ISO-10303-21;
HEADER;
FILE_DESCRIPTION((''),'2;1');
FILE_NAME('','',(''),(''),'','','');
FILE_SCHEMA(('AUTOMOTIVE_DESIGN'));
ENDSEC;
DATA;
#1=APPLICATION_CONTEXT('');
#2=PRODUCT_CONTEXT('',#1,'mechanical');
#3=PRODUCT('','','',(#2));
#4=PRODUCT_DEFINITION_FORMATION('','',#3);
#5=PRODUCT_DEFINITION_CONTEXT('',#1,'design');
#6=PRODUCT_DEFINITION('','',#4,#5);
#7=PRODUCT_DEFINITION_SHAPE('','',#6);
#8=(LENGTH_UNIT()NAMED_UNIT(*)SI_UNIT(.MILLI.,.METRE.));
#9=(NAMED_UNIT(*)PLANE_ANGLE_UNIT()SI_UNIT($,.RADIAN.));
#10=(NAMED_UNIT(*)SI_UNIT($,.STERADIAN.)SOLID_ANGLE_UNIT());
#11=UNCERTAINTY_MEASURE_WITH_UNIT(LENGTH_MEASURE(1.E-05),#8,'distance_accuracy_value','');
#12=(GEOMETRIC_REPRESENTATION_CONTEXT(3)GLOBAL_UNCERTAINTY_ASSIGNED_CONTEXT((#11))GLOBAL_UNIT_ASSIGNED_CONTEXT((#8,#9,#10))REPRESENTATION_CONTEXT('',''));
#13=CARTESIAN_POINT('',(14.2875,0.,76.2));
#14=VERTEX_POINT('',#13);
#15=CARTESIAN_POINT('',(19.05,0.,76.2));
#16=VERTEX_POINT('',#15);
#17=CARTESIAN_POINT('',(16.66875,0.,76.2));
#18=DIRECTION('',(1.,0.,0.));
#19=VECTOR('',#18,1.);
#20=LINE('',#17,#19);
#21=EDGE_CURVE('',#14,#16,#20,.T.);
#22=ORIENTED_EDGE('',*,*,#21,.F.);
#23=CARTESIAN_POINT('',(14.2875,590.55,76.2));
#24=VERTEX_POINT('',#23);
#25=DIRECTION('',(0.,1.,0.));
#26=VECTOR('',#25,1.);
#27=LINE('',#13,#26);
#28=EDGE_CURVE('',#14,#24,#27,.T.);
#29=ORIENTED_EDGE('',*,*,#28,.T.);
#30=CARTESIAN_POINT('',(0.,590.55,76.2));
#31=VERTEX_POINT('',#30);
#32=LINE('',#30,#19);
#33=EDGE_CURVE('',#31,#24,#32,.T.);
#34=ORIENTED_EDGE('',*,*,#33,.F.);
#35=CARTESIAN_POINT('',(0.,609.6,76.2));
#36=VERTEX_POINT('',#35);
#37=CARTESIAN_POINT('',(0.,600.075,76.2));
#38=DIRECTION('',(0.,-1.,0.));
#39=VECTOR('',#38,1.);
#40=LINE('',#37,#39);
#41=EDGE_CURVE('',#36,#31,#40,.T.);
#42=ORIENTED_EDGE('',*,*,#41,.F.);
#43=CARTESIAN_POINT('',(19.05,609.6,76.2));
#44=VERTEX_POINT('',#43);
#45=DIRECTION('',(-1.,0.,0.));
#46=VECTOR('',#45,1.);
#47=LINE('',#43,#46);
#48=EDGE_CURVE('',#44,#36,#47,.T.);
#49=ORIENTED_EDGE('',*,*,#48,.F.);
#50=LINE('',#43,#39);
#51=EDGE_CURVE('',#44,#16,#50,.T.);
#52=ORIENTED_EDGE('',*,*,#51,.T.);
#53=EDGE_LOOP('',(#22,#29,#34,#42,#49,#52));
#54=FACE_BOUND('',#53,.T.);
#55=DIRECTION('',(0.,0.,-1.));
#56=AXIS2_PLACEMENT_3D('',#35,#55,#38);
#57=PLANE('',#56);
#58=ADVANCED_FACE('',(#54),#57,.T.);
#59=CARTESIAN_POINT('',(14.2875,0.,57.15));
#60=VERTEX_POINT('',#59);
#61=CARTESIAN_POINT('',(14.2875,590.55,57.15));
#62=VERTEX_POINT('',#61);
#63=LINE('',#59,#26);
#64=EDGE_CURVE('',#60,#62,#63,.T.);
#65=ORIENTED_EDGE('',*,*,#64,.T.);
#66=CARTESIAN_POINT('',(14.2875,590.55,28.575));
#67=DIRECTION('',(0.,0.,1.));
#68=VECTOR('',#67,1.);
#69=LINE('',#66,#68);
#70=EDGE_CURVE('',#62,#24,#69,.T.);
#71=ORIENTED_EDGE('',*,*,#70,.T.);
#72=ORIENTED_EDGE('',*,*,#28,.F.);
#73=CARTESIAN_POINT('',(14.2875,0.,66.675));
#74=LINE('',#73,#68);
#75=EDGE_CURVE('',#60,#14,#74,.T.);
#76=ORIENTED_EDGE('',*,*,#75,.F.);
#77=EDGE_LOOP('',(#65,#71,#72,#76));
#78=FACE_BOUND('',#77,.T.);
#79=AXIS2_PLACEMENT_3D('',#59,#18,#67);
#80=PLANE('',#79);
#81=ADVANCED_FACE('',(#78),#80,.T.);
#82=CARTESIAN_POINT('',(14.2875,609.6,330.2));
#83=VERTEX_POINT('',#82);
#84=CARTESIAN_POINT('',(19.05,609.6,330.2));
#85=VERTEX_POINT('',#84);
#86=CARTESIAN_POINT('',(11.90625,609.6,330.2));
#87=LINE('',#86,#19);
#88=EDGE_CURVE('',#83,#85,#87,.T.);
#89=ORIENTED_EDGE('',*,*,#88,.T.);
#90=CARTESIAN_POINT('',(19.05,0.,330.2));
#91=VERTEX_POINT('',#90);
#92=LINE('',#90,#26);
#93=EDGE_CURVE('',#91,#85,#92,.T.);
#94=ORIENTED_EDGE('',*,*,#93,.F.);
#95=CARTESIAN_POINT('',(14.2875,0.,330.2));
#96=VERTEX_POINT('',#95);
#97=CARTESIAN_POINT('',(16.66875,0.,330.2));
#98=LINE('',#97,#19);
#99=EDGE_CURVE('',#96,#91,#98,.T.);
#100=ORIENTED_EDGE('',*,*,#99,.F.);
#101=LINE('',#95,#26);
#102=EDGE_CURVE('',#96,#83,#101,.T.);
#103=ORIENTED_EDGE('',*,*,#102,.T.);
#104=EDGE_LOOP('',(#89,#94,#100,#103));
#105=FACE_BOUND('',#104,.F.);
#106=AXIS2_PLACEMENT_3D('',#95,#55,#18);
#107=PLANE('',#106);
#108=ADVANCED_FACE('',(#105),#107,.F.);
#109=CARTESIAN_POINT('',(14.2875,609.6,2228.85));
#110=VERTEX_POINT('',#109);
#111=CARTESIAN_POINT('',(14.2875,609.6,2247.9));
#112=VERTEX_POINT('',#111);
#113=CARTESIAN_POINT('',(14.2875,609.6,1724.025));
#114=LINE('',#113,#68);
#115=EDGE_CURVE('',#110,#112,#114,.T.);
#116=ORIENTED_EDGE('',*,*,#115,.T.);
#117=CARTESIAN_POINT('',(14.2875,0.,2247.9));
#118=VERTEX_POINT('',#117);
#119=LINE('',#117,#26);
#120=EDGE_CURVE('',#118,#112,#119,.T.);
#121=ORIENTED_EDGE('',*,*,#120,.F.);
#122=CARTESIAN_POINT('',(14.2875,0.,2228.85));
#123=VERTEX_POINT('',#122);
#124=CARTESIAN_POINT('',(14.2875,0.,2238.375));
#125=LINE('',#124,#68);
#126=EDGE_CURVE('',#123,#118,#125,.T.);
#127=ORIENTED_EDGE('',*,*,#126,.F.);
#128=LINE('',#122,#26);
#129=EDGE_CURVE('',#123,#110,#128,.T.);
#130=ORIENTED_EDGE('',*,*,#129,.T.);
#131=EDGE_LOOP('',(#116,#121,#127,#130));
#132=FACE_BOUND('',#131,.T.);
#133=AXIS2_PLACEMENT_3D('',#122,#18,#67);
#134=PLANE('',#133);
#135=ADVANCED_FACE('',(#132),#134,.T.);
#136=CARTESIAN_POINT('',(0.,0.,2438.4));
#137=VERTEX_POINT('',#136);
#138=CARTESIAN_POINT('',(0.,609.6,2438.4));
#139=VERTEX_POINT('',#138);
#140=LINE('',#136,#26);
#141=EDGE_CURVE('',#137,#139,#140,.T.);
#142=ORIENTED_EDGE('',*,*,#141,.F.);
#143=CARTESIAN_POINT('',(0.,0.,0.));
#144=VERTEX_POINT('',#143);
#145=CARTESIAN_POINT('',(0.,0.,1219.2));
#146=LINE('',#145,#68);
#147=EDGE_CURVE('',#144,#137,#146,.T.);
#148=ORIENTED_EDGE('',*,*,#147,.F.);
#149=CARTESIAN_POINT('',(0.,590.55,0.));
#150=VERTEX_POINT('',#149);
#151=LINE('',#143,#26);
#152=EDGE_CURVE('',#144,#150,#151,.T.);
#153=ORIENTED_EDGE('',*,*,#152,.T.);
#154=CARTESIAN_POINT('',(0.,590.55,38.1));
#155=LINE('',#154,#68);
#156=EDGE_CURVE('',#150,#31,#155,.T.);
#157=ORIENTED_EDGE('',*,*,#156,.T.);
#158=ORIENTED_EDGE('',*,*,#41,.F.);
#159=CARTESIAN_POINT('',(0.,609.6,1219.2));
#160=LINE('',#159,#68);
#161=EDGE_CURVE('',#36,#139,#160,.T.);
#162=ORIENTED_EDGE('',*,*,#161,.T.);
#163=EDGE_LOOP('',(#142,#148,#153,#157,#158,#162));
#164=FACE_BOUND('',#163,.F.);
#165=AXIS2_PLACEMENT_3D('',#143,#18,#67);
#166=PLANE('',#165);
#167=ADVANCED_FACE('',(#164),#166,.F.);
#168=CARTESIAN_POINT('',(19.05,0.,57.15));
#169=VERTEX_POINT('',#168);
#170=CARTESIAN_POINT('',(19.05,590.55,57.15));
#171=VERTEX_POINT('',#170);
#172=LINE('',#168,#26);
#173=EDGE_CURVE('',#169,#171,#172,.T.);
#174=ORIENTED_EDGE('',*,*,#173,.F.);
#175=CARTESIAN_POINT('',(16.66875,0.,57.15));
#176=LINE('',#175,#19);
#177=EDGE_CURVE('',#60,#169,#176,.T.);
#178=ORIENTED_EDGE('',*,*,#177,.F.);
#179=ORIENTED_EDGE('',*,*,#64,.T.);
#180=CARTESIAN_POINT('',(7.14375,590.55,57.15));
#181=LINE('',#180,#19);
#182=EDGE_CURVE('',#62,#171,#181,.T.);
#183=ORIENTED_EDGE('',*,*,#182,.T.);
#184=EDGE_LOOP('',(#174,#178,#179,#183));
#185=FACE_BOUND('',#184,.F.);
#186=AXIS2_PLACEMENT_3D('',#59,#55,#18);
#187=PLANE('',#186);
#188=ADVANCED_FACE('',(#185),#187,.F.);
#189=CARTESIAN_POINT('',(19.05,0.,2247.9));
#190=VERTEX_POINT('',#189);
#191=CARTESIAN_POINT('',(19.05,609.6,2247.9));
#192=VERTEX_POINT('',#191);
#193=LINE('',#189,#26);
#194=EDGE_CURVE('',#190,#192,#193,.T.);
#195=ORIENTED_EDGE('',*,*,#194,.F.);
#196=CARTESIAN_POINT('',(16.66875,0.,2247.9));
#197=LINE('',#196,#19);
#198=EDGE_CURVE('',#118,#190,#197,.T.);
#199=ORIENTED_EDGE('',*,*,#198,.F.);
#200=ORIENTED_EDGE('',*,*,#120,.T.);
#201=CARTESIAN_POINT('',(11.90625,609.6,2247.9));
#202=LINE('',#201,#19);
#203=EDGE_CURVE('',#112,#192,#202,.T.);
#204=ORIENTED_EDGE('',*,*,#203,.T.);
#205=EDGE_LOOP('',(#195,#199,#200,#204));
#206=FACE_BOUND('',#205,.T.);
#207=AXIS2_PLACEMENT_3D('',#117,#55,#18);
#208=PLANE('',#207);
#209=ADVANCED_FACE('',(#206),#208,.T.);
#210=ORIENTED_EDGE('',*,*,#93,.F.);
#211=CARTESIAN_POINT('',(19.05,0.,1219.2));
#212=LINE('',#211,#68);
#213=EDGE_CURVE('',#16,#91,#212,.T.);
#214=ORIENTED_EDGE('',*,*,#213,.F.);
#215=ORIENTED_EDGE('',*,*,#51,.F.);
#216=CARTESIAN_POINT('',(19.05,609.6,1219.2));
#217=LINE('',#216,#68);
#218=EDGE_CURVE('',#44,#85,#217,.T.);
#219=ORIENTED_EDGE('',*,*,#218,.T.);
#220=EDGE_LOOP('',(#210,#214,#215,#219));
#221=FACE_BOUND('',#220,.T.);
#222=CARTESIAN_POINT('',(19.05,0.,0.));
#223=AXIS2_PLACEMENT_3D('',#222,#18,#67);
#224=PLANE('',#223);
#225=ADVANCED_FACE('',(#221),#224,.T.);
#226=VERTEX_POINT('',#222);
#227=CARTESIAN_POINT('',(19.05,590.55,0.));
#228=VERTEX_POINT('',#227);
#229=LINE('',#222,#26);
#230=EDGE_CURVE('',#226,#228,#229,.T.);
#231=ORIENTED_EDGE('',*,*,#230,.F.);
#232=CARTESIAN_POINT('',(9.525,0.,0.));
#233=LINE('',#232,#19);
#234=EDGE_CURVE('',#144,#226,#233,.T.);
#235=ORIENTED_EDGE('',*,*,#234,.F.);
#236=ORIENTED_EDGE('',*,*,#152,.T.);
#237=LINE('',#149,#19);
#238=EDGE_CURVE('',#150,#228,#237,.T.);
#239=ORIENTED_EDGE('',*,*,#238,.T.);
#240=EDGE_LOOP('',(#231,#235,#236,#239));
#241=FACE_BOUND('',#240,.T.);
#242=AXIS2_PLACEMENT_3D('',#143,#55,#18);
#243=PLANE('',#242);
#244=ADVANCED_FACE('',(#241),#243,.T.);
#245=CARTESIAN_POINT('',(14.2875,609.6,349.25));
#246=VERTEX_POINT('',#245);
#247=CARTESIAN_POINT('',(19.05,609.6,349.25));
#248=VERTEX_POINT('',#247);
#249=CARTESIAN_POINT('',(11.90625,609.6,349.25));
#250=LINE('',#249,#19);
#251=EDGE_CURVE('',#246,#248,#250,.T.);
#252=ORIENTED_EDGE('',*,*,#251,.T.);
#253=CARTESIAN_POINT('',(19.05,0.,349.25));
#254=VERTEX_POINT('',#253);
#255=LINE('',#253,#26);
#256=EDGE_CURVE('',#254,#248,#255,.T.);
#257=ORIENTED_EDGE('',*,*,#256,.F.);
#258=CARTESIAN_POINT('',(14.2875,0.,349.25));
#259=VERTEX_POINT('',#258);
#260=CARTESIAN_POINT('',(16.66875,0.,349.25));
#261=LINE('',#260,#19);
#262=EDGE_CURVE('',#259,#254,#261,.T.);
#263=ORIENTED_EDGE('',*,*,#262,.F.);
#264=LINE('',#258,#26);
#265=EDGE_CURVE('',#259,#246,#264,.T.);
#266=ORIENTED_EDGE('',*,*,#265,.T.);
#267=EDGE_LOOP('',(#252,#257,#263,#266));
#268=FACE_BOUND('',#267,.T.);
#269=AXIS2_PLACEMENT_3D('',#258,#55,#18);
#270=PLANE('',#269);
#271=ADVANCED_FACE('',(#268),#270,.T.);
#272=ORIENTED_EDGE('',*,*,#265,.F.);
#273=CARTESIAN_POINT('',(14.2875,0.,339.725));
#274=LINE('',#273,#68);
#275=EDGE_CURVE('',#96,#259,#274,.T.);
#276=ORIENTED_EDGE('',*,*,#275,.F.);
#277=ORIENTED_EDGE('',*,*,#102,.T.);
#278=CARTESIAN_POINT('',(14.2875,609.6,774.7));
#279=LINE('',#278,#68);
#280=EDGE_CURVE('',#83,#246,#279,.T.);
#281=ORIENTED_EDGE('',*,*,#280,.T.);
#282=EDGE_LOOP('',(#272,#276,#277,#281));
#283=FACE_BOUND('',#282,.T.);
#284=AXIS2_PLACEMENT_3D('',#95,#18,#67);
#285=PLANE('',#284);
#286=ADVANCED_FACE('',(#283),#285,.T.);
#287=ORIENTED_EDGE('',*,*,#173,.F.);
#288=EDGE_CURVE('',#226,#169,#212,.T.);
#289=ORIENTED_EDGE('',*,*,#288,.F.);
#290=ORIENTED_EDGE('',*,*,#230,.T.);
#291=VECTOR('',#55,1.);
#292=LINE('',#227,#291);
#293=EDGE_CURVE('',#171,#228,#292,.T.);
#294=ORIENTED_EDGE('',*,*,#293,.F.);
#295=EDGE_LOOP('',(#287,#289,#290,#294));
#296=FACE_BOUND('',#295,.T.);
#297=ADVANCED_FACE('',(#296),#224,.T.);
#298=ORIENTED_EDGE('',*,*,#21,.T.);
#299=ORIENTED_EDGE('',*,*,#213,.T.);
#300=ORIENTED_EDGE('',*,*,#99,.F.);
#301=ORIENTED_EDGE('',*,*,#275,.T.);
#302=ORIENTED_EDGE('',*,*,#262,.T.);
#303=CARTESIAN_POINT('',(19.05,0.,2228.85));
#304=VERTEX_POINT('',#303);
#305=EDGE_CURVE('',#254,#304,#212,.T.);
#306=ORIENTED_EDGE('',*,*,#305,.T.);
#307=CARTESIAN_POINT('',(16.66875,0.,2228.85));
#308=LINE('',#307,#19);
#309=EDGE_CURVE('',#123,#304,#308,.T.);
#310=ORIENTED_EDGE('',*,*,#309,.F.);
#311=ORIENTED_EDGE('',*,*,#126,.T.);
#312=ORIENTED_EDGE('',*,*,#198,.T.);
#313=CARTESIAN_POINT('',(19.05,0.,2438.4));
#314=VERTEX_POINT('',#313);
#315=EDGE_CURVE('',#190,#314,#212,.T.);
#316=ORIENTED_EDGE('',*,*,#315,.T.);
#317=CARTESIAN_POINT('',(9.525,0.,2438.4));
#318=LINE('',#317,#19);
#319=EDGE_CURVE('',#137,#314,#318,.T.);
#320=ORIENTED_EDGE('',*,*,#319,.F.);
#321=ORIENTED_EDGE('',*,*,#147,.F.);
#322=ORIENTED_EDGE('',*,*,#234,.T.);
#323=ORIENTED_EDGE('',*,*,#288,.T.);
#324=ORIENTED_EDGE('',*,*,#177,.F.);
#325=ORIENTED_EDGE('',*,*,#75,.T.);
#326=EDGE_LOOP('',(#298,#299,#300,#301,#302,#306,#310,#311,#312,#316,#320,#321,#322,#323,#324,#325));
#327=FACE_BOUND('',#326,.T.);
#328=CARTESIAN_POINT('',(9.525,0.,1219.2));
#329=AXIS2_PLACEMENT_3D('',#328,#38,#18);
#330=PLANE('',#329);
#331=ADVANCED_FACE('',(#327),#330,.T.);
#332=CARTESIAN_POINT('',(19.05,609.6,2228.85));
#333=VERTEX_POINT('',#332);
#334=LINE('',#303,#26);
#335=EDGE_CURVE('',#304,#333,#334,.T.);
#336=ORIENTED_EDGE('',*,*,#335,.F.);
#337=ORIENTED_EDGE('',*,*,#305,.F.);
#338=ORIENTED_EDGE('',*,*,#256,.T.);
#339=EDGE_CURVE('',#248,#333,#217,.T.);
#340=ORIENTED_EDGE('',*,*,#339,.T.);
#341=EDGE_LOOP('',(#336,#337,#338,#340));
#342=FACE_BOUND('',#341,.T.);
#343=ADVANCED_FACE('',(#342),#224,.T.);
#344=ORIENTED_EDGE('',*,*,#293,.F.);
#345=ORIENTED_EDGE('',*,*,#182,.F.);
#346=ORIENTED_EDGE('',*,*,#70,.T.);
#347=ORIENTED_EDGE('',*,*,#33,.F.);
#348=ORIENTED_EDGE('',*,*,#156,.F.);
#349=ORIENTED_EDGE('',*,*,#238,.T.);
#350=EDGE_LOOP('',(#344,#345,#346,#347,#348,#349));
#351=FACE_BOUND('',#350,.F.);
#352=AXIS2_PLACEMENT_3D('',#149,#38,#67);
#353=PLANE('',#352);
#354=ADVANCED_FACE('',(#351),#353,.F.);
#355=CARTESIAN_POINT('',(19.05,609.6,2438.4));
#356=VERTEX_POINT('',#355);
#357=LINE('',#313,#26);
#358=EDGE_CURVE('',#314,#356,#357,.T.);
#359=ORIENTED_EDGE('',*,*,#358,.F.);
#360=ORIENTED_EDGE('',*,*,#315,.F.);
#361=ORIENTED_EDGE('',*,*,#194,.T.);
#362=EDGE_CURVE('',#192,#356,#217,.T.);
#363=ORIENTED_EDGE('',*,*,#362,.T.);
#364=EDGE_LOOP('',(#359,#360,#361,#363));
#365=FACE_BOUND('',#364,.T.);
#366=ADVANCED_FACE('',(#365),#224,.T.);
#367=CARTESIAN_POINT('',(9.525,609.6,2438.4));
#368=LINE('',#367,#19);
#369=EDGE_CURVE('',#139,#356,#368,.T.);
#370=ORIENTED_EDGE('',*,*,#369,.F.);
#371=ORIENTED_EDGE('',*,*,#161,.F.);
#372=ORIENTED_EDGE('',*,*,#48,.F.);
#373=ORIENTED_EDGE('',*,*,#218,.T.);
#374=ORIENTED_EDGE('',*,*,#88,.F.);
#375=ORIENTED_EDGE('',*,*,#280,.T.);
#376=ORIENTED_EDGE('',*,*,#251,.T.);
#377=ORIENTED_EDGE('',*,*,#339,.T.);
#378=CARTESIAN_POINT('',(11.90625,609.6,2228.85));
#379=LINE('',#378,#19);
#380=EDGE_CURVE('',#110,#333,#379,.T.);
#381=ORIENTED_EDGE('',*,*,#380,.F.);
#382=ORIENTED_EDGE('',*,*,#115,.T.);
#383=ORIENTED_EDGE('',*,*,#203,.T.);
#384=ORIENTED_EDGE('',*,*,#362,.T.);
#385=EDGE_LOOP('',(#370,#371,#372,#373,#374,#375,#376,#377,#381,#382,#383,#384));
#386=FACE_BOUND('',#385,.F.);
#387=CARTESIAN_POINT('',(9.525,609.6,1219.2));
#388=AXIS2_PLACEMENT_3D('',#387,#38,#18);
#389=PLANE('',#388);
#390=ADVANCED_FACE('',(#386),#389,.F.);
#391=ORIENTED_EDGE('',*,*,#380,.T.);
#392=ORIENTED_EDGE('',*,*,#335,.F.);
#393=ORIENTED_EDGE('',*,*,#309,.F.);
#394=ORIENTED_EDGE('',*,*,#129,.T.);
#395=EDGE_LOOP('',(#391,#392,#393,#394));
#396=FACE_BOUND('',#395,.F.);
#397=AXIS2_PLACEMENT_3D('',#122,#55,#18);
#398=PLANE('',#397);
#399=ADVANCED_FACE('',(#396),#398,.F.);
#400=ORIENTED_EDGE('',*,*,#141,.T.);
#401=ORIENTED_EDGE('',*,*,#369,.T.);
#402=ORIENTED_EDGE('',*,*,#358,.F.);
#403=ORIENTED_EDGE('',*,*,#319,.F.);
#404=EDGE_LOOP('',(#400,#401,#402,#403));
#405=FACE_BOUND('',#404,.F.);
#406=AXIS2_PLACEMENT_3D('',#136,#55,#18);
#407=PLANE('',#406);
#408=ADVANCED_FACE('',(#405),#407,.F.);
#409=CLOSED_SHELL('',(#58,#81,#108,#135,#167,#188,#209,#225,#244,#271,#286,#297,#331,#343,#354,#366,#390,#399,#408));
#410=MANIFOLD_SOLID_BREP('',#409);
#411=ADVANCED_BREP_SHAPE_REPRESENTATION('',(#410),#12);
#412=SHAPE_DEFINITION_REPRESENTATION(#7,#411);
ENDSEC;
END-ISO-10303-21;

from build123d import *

# Parameters (mm, degrees)
F0_W     = 19.05
F0_H     = 2438.4
F1_DEPTH = 609.6
F2_W     = 19.05
F2_H     = 76.2
F3_DEPTH = 19.051
F4_W     = 4.7625
F4_H     = 19.05
F5_DEPTH = 609.601


with BuildPart() as f1:
    # F0 (on Front) → F1 (new body)
    with BuildSketch(Plane.XZ):
        with Locations((9.525, 1219.2)):
            Rectangle(F0_W, F0_H)
    extrude(amount=-F1_DEPTH)

    # F2 (on face) → F3 (cut, through all)
    with BuildSketch(Plane(origin=(0, 0, 0), x_dir=(0, -1, 0), z_dir=(-1, 0, 0))):
        with Locations((-600.075, 38.1)):
            Rectangle(F2_W, F2_H)
    extrude(amount=-F3_DEPTH, mode=Mode.SUBTRACT)

    # F4 (on face) → F5 (cut, through all)
    with BuildSketch(Plane.XZ):
        with Locations((16.66875, 66.675)):
            Rectangle(F4_W, F4_H)
        with Locations((16.66875, 339.725)):
            Rectangle(F4_W, F4_H)
        with Locations((16.66875, 2238.375)):
            Rectangle(F4_W, F4_H)
    extrude(amount=-F5_DEPTH, mode=Mode.SUBTRACT)


solid = f1.part
